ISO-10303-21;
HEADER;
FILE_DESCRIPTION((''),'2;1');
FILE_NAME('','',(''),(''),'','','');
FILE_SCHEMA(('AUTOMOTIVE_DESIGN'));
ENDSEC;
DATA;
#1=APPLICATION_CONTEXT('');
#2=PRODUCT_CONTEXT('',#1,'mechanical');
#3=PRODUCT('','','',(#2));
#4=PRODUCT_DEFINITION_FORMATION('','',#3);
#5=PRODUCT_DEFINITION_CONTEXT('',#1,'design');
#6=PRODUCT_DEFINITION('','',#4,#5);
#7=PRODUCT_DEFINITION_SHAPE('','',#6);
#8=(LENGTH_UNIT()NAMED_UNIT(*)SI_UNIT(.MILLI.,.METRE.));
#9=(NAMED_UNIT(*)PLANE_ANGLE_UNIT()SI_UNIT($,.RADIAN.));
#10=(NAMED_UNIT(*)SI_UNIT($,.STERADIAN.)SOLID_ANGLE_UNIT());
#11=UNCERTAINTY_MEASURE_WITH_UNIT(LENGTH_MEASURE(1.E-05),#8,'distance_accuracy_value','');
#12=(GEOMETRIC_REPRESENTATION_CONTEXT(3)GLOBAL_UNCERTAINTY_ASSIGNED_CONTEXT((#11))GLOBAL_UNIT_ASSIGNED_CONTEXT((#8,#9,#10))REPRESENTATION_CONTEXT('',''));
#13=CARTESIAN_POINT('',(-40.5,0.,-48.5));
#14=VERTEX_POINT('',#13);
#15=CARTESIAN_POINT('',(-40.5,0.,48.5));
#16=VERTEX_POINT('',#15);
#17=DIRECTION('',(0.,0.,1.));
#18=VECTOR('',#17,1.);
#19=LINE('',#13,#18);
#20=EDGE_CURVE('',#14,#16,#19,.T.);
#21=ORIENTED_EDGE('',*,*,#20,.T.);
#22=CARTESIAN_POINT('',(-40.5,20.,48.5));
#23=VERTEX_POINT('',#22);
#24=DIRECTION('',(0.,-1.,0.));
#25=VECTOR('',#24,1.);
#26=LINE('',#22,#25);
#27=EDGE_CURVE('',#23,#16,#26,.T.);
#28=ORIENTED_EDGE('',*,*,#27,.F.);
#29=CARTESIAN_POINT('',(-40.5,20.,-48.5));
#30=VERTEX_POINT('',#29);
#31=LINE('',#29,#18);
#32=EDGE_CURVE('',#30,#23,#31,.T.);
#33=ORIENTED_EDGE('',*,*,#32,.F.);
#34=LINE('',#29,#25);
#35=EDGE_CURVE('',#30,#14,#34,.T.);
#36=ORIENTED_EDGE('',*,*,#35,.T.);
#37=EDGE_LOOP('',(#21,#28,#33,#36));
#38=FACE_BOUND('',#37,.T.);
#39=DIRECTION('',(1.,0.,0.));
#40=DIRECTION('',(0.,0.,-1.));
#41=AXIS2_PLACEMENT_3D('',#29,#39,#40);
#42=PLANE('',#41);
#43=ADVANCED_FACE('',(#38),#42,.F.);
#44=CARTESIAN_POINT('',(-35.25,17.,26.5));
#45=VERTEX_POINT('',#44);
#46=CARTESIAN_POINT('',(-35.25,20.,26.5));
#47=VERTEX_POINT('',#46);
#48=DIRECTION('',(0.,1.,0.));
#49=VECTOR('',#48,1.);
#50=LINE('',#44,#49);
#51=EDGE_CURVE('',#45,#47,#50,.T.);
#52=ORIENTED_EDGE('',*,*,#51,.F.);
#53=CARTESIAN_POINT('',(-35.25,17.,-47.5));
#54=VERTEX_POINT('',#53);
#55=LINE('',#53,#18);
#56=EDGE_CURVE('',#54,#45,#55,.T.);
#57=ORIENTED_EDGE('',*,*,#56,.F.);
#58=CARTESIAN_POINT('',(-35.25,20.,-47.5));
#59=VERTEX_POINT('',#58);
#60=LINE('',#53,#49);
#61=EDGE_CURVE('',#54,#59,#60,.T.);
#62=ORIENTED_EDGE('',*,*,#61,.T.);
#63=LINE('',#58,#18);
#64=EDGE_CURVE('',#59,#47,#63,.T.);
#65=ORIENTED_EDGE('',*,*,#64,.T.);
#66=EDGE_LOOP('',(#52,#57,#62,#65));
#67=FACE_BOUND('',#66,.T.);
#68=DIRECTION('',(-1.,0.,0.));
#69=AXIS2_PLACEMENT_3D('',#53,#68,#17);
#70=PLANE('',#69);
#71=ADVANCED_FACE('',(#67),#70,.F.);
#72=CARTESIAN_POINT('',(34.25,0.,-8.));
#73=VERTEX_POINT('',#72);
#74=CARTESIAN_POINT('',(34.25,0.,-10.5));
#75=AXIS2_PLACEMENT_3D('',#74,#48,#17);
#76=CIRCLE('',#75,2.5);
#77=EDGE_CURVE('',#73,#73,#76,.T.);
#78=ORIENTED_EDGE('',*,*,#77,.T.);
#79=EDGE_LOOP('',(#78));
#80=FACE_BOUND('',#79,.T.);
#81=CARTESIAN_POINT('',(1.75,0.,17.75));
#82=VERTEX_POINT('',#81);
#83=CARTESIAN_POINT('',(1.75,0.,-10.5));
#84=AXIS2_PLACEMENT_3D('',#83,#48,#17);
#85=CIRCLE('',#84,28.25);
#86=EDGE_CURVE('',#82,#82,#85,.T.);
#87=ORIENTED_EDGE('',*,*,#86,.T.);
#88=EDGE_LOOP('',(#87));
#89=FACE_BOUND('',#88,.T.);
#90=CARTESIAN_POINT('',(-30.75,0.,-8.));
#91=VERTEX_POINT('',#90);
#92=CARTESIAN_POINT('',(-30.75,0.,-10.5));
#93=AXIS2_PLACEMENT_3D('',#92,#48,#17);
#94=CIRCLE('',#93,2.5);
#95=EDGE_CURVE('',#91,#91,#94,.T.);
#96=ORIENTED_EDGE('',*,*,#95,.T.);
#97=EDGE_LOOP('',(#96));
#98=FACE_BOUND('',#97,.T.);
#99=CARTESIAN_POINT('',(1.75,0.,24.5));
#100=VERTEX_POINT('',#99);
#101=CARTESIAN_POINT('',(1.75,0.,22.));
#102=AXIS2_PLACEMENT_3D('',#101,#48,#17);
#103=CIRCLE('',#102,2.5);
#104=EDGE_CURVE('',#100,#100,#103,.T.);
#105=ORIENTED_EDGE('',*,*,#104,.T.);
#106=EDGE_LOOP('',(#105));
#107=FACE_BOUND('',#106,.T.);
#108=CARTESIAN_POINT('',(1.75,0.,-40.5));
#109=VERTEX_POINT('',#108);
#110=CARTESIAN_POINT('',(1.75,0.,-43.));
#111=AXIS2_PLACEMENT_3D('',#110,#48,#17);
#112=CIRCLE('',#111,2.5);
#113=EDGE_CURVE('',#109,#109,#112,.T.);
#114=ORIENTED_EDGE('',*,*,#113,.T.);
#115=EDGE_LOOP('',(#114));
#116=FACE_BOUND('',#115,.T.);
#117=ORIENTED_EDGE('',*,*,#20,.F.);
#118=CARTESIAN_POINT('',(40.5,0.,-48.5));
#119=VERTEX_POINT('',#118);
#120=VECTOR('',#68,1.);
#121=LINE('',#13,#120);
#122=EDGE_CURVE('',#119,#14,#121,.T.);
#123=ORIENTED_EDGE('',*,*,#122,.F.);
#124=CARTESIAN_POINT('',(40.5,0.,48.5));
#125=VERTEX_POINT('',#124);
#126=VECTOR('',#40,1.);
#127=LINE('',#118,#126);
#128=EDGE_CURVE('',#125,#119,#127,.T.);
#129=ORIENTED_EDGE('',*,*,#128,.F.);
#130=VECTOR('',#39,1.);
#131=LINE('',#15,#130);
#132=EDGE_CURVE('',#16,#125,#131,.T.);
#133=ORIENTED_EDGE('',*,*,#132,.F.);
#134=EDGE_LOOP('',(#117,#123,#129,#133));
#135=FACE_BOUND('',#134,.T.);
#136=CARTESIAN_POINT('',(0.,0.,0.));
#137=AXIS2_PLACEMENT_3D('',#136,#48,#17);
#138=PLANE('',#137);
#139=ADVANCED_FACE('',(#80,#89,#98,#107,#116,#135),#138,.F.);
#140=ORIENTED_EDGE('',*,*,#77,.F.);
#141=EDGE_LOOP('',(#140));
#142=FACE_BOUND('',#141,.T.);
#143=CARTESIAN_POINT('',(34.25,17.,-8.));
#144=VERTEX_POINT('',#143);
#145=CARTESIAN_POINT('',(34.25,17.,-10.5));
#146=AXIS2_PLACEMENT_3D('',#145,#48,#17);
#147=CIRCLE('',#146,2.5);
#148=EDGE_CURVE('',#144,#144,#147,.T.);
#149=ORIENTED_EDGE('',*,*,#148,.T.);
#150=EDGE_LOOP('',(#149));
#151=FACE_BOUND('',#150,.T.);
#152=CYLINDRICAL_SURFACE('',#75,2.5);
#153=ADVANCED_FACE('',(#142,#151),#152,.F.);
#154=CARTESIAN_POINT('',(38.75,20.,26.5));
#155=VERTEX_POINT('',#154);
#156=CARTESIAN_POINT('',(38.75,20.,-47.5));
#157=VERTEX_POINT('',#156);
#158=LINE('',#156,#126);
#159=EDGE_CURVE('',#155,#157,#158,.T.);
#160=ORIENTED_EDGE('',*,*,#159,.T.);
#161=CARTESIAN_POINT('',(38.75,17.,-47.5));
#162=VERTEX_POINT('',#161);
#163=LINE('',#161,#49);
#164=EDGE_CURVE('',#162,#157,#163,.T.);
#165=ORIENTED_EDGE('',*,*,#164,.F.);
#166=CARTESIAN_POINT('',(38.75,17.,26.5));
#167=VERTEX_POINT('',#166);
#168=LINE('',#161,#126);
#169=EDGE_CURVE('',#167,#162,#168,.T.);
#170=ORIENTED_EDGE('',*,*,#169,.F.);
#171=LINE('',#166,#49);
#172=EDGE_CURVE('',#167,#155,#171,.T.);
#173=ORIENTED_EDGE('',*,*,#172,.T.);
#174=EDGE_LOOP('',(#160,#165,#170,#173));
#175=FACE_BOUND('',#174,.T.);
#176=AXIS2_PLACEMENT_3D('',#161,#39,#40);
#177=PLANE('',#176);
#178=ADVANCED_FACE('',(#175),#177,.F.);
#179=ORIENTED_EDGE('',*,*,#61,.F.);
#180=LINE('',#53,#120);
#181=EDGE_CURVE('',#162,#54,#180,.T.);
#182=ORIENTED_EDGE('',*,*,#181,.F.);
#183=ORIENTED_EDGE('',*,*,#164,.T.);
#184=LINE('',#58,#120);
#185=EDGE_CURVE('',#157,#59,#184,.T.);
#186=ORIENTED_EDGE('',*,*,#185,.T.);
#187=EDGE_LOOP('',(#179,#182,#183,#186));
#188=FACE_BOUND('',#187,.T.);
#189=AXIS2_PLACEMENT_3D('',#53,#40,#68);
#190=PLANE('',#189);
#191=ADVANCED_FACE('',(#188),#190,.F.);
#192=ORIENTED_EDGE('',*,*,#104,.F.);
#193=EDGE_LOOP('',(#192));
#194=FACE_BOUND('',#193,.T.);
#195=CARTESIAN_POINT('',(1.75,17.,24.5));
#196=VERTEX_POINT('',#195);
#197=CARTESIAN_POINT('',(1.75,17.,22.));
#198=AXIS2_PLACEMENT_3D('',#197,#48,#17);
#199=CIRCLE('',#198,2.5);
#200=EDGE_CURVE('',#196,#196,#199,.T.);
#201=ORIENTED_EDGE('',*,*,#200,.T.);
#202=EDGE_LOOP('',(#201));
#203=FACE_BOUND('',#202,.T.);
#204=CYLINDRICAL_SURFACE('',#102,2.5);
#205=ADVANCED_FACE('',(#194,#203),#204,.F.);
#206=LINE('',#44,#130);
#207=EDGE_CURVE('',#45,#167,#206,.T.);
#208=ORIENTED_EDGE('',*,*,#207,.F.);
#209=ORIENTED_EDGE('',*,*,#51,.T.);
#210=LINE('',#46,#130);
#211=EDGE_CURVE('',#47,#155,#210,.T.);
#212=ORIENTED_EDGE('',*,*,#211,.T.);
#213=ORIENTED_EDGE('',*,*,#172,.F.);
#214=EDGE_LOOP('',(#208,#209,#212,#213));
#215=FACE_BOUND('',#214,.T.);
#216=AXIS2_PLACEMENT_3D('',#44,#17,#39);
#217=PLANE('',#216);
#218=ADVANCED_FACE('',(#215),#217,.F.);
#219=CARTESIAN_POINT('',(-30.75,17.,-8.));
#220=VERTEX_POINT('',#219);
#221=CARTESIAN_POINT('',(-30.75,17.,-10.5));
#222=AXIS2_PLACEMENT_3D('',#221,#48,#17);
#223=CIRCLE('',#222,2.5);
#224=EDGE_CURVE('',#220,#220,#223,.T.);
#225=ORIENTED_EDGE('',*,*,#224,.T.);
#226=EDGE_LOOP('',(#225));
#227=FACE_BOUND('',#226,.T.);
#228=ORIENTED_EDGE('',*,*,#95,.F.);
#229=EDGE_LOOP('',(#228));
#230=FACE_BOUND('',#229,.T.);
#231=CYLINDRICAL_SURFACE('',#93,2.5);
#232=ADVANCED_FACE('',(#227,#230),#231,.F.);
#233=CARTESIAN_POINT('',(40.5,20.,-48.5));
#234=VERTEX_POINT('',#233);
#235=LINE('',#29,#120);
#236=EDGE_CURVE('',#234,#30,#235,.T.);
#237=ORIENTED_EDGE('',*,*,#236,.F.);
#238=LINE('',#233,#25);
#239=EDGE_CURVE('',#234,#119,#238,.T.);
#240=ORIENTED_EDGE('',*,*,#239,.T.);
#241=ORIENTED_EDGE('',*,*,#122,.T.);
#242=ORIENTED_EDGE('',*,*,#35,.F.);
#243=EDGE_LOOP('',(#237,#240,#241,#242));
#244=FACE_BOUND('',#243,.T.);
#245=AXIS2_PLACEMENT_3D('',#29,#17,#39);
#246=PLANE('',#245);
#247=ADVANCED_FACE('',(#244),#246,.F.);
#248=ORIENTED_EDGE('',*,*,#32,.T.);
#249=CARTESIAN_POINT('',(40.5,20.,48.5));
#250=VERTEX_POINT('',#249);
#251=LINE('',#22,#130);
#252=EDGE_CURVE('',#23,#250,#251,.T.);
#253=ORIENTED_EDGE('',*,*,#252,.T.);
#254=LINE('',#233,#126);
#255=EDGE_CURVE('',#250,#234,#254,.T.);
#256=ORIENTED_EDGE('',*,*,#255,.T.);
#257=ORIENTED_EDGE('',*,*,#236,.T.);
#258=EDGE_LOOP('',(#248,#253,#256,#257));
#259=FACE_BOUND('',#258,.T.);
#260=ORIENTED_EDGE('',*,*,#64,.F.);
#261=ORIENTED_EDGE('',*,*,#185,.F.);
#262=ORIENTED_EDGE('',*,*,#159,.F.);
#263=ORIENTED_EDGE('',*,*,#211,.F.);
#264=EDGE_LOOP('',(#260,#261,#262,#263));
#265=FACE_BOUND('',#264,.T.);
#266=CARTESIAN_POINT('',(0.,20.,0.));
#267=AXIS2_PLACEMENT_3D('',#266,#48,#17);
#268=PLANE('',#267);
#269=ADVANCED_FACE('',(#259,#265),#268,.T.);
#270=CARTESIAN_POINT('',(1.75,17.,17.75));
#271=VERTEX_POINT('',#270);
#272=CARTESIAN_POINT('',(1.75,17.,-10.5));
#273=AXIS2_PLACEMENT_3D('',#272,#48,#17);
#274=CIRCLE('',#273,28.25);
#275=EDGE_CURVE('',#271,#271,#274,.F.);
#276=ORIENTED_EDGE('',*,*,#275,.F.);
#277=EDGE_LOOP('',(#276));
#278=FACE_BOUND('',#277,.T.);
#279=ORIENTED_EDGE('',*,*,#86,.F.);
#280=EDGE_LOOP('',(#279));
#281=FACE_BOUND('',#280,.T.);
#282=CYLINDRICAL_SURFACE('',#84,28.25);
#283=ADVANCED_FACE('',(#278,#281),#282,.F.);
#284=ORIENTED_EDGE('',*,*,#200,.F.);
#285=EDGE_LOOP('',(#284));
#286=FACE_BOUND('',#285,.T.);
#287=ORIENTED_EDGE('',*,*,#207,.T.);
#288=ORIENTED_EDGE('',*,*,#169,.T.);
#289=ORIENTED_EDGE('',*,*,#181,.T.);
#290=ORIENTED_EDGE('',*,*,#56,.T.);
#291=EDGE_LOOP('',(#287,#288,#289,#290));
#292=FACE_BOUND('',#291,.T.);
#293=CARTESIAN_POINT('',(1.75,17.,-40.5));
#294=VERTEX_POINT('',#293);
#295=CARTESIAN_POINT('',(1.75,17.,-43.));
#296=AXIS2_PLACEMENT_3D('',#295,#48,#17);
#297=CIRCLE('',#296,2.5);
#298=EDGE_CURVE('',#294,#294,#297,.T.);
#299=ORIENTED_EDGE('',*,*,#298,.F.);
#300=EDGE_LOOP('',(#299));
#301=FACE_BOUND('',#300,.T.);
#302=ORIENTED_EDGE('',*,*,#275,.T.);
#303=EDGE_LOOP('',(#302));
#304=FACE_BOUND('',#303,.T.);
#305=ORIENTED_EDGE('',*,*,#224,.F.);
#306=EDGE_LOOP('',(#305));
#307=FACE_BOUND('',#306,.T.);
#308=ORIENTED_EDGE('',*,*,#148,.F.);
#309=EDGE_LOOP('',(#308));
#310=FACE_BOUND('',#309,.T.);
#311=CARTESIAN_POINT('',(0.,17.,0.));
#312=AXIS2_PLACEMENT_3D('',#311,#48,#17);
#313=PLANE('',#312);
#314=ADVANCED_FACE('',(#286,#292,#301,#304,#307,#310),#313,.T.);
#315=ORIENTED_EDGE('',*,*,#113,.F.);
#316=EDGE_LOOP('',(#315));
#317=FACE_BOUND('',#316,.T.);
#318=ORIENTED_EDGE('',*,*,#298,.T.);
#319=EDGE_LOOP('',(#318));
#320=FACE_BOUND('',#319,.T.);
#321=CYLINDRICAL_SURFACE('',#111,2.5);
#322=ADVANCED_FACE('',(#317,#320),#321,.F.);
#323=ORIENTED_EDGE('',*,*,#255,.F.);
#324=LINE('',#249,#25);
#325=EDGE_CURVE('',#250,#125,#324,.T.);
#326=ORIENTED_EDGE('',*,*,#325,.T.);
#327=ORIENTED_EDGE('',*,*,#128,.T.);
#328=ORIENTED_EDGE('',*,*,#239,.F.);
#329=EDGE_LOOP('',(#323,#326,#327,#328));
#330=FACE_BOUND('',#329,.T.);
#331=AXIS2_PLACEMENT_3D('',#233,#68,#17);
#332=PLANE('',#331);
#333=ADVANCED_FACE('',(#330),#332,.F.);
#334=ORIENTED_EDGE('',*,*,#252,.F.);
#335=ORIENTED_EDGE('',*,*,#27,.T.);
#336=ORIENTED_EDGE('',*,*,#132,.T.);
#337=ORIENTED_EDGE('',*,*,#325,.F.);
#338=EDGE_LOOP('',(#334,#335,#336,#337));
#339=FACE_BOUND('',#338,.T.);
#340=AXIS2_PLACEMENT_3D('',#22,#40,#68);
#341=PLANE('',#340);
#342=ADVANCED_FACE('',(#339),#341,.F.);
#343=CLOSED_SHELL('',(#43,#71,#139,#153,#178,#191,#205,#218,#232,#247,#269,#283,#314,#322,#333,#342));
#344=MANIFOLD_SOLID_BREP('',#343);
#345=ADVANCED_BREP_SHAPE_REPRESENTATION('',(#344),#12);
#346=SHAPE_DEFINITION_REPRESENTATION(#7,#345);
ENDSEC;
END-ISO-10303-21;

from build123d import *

# Parameters (mm, degrees)
SKETCH1_W           = 81
SKETCH1_H           = 97
BOSS_EXTRUDE1_DEPTH = 20
SKETCH2_R           = 28.25
CUT_EXTRUDE2_DEPTH  = 67.275938319
SKETCH5_W           = 74
SKETCH5_H           = 74
CUT_EXTRUDE3_DEPTH  = 3
SKETCH6_R           = 2.5
CUT_EXTRUDE4_DEPTH  = 66.433172015


with BuildPart() as part:
    # Sketch1 → Boss-Extrude1 (new body)
    with BuildSketch(Plane(origin=(0, 0, 0), x_dir=(1, 0, 0), z_dir=(0, 1, 0))):
        Rectangle(SKETCH1_W, SKETCH1_H)
    extrude(amount=BOSS_EXTRUDE1_DEPTH)

    # Sketch2 → Cut-Extrude2 (cut, through all)
    with BuildSketch(Plane(origin=(0, 20, 0), x_dir=(1, 0, 0), z_dir=(0, 1, 0))):
        with Locations(Location((1.75, 10.5, 0), (0, 0, 270))):
            Circle(SKETCH2_R)
    extrude(amount=-CUT_EXTRUDE2_DEPTH, mode=Mode.SUBTRACT)

    # Sketch5 → Cut-Extrude3 (cut)
    with BuildSketch(Plane(origin=(0, 20, 0), x_dir=(1, 0, 0), z_dir=(0, 1, 0))):
        with Locations((1.75, 10.5)):
            Rectangle(SKETCH5_W, SKETCH5_H)
    extrude(amount=-CUT_EXTRUDE3_DEPTH, mode=Mode.SUBTRACT)

    # Sketch6 → Cut-Extrude4 (cut, through all)
    with BuildSketch(Plane(origin=(0, 17, 0), x_dir=(1, 0, 0), z_dir=(0, 1, 0))):
        with Locations(Location((-30.75, 10.5, 0), (0, 0, 270))):
            Circle(SKETCH6_R)
        with Locations(Location((1.75, -22, 0), (0, 0, 270))):
            Circle(SKETCH6_R)
        with Locations(Location((34.25, 10.5, 0), (0, 0, 270))):
            Circle(SKETCH6_R)
        with Locations(Location((1.75, 43, 0), (0, 0, 270))):
            Circle(SKETCH6_R)
    extrude(amount=-CUT_EXTRUDE4_DEPTH, mode=Mode.SUBTRACT)


solid = part.part
